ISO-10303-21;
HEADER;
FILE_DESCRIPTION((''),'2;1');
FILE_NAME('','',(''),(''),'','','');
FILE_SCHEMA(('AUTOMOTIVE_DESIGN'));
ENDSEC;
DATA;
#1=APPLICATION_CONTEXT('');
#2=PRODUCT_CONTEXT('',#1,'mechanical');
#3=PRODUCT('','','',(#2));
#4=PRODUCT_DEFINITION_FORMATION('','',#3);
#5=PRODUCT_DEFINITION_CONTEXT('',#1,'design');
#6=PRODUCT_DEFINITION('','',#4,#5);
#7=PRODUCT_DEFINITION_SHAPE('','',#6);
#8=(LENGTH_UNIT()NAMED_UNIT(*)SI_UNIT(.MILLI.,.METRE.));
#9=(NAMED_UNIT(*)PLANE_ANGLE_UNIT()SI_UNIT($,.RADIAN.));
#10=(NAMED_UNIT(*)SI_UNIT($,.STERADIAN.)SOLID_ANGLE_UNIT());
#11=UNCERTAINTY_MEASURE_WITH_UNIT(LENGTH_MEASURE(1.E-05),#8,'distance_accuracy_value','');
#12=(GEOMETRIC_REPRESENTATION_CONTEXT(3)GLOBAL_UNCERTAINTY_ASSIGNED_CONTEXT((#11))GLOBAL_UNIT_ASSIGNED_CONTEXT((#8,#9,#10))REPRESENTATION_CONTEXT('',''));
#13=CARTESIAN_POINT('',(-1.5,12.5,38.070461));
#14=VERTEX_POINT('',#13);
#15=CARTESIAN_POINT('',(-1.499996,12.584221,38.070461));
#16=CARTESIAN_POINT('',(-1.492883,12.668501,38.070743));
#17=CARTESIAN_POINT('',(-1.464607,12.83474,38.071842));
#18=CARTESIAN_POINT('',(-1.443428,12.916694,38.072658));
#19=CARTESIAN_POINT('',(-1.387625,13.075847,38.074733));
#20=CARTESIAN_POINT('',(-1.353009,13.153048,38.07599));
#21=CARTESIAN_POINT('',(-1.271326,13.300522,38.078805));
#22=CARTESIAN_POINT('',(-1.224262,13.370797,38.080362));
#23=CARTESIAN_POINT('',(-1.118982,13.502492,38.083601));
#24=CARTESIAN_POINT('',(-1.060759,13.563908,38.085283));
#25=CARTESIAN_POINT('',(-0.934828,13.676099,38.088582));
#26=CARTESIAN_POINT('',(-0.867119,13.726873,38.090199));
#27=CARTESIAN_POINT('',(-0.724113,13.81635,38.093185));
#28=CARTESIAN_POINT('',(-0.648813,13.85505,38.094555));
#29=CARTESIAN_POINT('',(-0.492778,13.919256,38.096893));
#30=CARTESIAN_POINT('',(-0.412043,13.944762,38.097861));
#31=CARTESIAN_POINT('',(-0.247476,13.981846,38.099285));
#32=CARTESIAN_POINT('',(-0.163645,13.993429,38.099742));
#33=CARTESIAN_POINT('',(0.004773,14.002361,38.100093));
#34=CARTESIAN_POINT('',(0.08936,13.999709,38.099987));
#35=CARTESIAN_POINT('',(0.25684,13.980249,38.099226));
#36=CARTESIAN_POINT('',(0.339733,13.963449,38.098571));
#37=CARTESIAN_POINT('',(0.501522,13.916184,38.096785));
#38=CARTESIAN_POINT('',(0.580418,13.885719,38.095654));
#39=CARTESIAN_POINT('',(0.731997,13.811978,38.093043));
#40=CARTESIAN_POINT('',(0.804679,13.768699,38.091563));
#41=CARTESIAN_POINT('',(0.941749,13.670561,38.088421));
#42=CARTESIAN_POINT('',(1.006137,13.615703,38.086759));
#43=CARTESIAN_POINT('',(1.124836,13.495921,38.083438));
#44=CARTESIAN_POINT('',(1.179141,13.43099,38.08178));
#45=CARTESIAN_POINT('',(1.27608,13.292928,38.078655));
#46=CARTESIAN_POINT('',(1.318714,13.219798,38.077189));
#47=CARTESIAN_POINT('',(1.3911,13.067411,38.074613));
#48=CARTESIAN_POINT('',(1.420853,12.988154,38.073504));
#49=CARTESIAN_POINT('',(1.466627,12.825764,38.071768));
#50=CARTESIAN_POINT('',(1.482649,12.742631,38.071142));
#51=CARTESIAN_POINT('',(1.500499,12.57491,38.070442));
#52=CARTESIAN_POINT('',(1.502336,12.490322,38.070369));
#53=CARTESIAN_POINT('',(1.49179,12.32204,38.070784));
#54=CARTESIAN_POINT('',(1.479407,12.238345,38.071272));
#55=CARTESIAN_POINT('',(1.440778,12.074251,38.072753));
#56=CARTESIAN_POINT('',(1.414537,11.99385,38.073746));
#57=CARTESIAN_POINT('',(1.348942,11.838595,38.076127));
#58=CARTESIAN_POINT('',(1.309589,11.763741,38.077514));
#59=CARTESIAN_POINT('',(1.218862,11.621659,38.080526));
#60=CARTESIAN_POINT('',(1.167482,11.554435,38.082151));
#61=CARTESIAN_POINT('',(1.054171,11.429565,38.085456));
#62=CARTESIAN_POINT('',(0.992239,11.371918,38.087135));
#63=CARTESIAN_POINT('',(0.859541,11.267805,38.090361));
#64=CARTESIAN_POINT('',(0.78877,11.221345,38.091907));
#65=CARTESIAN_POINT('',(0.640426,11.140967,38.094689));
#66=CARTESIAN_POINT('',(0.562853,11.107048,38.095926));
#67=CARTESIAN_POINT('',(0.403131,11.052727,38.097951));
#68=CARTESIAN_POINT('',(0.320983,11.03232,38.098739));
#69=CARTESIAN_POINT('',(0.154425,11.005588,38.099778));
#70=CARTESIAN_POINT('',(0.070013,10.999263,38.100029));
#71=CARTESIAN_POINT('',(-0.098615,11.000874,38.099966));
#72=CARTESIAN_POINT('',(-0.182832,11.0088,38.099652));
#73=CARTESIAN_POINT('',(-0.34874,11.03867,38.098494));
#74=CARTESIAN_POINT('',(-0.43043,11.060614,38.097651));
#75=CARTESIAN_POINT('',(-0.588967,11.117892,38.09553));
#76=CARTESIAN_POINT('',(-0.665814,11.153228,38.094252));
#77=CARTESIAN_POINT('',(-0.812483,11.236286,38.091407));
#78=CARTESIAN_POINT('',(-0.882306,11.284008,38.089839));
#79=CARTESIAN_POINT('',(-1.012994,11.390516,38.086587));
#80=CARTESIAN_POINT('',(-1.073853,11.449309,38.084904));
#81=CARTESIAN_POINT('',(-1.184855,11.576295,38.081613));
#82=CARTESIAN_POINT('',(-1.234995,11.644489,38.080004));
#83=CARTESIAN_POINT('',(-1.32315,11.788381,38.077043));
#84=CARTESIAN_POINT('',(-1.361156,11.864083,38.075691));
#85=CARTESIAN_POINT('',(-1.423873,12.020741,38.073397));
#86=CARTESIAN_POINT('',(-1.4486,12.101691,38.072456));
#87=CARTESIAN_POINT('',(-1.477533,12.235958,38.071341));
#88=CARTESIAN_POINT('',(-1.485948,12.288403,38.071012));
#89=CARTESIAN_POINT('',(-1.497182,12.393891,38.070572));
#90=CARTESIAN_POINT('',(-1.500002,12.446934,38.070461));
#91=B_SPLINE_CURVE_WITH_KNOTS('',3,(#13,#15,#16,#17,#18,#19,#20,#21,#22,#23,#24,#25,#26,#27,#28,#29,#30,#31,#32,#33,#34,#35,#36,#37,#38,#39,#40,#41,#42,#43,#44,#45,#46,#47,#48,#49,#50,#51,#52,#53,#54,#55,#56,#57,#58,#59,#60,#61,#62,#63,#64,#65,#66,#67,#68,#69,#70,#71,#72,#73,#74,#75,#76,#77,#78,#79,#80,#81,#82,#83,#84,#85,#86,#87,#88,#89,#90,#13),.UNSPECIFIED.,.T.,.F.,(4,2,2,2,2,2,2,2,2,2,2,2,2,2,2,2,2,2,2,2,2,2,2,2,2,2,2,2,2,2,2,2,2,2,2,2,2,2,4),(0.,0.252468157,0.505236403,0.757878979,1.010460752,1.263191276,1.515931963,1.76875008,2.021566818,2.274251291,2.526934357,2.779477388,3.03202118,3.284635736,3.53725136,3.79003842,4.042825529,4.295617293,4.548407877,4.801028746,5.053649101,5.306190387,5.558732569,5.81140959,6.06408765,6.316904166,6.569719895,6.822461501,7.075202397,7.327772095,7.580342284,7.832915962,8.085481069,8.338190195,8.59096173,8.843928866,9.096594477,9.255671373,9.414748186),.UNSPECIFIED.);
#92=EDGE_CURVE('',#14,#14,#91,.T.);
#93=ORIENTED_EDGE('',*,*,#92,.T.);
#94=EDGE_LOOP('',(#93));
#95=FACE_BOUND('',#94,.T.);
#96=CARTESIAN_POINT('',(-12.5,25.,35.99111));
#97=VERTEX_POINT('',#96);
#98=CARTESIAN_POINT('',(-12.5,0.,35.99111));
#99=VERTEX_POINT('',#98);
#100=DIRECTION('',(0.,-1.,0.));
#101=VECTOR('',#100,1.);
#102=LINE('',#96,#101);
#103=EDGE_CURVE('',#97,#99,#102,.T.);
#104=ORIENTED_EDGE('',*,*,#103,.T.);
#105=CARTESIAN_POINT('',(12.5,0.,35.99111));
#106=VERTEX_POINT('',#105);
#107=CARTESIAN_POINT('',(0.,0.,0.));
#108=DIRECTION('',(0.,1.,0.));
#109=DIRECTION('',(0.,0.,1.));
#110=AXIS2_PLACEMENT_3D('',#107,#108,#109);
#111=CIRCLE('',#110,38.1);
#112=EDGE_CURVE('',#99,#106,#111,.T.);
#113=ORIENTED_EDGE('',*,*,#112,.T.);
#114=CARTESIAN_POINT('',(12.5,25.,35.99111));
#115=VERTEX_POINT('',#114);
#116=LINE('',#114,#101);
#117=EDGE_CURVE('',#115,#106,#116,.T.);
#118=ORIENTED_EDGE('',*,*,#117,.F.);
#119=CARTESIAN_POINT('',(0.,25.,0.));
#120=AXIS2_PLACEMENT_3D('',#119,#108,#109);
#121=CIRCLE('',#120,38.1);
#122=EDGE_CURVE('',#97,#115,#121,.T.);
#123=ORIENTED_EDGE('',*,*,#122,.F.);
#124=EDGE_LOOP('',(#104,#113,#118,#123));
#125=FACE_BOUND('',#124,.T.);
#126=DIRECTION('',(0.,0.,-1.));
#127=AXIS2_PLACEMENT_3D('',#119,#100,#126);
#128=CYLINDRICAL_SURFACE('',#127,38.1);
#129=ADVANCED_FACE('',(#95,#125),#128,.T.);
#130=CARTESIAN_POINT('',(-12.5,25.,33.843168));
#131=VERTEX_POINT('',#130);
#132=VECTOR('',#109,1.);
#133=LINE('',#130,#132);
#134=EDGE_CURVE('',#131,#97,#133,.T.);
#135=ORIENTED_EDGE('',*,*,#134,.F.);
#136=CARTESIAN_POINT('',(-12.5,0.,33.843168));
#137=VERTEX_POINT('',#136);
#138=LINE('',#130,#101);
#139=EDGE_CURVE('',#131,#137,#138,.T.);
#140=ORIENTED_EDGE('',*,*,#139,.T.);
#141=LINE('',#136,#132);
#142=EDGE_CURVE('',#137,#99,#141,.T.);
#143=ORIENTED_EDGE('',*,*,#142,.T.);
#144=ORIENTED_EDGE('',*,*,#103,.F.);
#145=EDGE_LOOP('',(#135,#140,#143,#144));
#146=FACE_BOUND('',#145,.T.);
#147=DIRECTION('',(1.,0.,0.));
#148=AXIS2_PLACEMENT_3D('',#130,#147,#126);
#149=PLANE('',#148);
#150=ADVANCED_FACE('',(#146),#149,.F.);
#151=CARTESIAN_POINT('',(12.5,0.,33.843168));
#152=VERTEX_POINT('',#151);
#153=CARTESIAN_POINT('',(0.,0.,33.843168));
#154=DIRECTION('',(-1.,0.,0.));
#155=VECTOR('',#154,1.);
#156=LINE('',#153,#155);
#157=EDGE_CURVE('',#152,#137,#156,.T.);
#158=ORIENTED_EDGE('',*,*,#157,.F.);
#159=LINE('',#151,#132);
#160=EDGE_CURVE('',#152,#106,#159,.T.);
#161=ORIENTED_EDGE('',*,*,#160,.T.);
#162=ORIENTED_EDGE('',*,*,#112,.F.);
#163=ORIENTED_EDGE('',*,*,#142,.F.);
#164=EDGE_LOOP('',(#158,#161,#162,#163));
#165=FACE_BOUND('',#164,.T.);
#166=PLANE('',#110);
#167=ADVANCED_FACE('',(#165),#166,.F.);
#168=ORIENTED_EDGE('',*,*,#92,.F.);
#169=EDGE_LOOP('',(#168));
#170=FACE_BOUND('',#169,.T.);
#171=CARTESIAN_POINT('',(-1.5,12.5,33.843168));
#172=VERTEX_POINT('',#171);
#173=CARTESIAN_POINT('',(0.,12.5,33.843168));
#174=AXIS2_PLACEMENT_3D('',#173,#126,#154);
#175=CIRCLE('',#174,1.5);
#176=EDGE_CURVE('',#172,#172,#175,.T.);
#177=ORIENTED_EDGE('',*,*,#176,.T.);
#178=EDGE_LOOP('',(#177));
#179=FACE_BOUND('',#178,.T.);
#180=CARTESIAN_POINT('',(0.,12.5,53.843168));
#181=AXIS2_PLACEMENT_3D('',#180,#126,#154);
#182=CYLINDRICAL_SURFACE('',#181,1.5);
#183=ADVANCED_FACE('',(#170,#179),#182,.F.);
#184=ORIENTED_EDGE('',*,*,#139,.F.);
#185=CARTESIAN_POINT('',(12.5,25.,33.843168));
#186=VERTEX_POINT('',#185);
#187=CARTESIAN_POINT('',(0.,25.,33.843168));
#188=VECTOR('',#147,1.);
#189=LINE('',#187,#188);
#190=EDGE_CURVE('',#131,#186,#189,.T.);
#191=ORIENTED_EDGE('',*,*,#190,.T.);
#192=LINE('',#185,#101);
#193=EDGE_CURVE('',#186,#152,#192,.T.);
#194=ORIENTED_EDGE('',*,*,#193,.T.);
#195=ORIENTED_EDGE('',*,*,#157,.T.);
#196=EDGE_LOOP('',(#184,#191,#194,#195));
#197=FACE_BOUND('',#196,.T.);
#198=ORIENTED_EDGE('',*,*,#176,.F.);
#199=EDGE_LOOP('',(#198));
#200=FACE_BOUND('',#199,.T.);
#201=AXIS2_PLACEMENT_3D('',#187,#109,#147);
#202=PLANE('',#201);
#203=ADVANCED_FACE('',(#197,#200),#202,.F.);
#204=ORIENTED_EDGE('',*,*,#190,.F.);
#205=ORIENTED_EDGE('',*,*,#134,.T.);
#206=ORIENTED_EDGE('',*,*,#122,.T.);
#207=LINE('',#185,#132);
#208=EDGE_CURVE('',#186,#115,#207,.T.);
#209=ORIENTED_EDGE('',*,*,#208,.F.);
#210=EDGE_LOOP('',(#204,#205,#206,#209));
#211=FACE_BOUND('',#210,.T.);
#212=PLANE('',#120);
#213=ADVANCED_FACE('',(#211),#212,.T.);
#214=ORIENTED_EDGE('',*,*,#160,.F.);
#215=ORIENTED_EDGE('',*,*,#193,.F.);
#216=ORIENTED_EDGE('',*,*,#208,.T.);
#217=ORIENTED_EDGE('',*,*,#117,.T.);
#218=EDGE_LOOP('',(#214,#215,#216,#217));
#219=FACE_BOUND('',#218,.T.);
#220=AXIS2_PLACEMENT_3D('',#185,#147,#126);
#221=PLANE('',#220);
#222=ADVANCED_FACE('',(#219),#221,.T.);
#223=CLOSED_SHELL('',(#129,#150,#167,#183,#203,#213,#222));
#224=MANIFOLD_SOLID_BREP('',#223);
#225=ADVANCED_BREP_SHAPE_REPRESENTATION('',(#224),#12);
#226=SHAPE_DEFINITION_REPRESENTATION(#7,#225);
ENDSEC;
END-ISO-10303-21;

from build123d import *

# Parameters (mm, degrees)
BOSS_EXTRUDE1_DEPTH = 25
SKETCH3_R           = 1.5
CUT_EXTRUDE1_DEPTH  = 20


with BuildPart() as part:
    # Sketch2 → Boss-Extrude1 (new body)
    with BuildSketch(Plane(origin=(0, 0, 0), x_dir=(1, 0, 0), z_dir=(0, 1, 0))):
        with BuildLine():
            Line((0, -33.8431677), (-12.5, -33.8431677))
            Line((-12.5, -33.8431677), (-12.5, -35.991110013))
            ThreePointArc((-12.5, -35.991110013), (0, -38.1), (12.5, -35.991110013))
            Line((12.5, -35.991110013), (12.5, -33.8431677))
            Line((12.5, -33.8431677), (0, -33.8431677))
        make_face()
    extrude(amount=BOSS_EXTRUDE1_DEPTH)

    # Sketch3 → Cut-Extrude1 (cut)
    with BuildSketch(Plane(origin=(0, 0, 33.8431677), x_dir=(-1, 0, 0), z_dir=(0, 0, -1))):
        with Locations((0, 12.5)):
            Circle(SKETCH3_R)
    extrude(amount=-CUT_EXTRUDE1_DEPTH, mode=Mode.SUBTRACT)


solid = part.part
